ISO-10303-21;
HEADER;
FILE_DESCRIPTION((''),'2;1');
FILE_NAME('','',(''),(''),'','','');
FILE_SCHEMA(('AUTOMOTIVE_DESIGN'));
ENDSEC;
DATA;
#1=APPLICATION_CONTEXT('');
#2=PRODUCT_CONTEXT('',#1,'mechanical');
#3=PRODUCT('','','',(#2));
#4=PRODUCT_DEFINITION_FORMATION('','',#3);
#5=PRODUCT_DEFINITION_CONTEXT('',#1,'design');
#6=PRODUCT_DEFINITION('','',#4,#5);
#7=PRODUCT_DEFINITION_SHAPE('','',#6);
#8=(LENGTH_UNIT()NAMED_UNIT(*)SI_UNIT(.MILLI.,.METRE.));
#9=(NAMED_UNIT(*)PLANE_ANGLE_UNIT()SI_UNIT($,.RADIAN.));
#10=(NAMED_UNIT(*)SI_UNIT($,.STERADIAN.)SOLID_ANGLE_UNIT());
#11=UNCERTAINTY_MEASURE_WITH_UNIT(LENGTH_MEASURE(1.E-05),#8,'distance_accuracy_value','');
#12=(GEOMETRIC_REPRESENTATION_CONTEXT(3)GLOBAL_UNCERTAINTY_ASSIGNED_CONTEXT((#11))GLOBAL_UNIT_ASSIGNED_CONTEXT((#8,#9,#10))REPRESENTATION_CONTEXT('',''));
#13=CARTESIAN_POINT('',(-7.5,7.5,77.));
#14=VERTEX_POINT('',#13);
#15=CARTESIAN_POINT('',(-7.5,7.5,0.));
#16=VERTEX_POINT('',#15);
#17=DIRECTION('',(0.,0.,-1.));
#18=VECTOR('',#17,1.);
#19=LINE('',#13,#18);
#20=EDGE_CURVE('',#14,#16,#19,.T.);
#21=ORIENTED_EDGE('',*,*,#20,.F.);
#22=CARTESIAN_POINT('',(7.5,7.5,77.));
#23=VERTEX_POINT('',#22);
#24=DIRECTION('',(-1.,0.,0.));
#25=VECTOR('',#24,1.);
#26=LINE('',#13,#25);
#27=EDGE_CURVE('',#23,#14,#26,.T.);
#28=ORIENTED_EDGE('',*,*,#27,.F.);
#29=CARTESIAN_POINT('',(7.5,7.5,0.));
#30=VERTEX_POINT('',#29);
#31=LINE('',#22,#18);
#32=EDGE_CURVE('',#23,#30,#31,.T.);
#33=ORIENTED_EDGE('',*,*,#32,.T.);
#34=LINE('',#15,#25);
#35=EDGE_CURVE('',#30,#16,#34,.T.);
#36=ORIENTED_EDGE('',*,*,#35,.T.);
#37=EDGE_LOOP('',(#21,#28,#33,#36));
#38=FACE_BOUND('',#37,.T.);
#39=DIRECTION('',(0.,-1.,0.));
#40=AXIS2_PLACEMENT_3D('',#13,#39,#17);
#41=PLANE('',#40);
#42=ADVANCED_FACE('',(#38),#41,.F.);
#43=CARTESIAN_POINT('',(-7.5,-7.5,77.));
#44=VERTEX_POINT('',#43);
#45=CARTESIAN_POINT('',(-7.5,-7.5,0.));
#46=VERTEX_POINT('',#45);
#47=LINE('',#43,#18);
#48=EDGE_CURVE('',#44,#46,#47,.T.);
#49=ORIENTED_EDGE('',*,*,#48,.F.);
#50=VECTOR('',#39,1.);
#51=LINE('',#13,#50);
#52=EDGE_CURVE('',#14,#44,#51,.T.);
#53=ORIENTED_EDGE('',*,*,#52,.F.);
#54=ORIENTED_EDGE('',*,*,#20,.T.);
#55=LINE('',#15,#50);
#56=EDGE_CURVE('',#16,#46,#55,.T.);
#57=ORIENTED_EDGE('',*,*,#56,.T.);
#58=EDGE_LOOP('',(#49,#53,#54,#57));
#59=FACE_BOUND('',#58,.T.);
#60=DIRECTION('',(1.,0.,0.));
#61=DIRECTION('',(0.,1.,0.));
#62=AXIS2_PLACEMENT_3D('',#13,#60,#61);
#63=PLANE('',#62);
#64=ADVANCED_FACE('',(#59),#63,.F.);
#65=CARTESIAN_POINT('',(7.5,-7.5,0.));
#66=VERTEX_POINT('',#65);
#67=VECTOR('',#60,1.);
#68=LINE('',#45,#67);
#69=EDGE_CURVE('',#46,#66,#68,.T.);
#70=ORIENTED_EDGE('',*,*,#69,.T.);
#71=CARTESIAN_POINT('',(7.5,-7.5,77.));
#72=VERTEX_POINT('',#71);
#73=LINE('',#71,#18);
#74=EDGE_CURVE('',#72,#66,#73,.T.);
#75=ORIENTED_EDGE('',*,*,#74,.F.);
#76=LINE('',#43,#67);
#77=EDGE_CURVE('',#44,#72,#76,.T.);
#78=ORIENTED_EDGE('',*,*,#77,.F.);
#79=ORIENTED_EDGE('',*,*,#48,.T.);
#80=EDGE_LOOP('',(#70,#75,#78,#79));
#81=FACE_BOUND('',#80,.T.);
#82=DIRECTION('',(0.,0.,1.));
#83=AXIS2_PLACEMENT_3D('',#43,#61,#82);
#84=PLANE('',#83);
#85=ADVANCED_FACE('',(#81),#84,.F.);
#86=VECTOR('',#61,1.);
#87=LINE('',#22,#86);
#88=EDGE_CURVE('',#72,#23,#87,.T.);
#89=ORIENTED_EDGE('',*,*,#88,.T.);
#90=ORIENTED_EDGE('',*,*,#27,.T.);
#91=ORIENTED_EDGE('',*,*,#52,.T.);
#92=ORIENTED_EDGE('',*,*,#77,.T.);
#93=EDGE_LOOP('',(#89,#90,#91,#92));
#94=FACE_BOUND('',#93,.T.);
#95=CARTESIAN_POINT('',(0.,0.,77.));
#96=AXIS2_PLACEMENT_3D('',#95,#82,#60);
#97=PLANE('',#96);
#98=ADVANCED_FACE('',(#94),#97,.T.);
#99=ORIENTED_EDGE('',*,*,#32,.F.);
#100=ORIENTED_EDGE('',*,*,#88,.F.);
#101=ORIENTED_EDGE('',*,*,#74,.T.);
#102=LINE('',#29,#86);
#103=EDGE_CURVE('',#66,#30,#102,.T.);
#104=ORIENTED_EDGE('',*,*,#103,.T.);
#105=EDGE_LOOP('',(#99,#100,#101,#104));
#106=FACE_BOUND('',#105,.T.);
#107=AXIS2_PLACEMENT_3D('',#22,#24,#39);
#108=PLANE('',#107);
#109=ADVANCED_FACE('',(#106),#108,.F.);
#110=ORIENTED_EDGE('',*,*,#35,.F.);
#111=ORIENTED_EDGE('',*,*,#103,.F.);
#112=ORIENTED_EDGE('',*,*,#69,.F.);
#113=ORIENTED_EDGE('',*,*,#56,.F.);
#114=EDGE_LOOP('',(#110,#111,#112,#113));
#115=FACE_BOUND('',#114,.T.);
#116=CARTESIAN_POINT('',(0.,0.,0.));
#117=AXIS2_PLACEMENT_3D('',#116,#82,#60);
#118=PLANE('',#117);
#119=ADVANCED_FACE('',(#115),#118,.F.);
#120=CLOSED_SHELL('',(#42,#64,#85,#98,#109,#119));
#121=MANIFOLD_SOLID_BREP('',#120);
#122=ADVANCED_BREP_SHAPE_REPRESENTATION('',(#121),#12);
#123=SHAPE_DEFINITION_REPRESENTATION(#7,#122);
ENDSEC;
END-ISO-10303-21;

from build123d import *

# Parameters (mm, degrees)
SKETCH_256_W    = 15
SKETCH_256_H    = 15
EXTRUDE_1_DEPTH = 77


with BuildPart() as part:
    # Sketch 256 → Бобышка-Вытянуть1 (new body)
    with BuildSketch(Plane.XY):
        Rectangle(SKETCH_256_W, SKETCH_256_H)
    extrude(amount=EXTRUDE_1_DEPTH)


solid = part.part
